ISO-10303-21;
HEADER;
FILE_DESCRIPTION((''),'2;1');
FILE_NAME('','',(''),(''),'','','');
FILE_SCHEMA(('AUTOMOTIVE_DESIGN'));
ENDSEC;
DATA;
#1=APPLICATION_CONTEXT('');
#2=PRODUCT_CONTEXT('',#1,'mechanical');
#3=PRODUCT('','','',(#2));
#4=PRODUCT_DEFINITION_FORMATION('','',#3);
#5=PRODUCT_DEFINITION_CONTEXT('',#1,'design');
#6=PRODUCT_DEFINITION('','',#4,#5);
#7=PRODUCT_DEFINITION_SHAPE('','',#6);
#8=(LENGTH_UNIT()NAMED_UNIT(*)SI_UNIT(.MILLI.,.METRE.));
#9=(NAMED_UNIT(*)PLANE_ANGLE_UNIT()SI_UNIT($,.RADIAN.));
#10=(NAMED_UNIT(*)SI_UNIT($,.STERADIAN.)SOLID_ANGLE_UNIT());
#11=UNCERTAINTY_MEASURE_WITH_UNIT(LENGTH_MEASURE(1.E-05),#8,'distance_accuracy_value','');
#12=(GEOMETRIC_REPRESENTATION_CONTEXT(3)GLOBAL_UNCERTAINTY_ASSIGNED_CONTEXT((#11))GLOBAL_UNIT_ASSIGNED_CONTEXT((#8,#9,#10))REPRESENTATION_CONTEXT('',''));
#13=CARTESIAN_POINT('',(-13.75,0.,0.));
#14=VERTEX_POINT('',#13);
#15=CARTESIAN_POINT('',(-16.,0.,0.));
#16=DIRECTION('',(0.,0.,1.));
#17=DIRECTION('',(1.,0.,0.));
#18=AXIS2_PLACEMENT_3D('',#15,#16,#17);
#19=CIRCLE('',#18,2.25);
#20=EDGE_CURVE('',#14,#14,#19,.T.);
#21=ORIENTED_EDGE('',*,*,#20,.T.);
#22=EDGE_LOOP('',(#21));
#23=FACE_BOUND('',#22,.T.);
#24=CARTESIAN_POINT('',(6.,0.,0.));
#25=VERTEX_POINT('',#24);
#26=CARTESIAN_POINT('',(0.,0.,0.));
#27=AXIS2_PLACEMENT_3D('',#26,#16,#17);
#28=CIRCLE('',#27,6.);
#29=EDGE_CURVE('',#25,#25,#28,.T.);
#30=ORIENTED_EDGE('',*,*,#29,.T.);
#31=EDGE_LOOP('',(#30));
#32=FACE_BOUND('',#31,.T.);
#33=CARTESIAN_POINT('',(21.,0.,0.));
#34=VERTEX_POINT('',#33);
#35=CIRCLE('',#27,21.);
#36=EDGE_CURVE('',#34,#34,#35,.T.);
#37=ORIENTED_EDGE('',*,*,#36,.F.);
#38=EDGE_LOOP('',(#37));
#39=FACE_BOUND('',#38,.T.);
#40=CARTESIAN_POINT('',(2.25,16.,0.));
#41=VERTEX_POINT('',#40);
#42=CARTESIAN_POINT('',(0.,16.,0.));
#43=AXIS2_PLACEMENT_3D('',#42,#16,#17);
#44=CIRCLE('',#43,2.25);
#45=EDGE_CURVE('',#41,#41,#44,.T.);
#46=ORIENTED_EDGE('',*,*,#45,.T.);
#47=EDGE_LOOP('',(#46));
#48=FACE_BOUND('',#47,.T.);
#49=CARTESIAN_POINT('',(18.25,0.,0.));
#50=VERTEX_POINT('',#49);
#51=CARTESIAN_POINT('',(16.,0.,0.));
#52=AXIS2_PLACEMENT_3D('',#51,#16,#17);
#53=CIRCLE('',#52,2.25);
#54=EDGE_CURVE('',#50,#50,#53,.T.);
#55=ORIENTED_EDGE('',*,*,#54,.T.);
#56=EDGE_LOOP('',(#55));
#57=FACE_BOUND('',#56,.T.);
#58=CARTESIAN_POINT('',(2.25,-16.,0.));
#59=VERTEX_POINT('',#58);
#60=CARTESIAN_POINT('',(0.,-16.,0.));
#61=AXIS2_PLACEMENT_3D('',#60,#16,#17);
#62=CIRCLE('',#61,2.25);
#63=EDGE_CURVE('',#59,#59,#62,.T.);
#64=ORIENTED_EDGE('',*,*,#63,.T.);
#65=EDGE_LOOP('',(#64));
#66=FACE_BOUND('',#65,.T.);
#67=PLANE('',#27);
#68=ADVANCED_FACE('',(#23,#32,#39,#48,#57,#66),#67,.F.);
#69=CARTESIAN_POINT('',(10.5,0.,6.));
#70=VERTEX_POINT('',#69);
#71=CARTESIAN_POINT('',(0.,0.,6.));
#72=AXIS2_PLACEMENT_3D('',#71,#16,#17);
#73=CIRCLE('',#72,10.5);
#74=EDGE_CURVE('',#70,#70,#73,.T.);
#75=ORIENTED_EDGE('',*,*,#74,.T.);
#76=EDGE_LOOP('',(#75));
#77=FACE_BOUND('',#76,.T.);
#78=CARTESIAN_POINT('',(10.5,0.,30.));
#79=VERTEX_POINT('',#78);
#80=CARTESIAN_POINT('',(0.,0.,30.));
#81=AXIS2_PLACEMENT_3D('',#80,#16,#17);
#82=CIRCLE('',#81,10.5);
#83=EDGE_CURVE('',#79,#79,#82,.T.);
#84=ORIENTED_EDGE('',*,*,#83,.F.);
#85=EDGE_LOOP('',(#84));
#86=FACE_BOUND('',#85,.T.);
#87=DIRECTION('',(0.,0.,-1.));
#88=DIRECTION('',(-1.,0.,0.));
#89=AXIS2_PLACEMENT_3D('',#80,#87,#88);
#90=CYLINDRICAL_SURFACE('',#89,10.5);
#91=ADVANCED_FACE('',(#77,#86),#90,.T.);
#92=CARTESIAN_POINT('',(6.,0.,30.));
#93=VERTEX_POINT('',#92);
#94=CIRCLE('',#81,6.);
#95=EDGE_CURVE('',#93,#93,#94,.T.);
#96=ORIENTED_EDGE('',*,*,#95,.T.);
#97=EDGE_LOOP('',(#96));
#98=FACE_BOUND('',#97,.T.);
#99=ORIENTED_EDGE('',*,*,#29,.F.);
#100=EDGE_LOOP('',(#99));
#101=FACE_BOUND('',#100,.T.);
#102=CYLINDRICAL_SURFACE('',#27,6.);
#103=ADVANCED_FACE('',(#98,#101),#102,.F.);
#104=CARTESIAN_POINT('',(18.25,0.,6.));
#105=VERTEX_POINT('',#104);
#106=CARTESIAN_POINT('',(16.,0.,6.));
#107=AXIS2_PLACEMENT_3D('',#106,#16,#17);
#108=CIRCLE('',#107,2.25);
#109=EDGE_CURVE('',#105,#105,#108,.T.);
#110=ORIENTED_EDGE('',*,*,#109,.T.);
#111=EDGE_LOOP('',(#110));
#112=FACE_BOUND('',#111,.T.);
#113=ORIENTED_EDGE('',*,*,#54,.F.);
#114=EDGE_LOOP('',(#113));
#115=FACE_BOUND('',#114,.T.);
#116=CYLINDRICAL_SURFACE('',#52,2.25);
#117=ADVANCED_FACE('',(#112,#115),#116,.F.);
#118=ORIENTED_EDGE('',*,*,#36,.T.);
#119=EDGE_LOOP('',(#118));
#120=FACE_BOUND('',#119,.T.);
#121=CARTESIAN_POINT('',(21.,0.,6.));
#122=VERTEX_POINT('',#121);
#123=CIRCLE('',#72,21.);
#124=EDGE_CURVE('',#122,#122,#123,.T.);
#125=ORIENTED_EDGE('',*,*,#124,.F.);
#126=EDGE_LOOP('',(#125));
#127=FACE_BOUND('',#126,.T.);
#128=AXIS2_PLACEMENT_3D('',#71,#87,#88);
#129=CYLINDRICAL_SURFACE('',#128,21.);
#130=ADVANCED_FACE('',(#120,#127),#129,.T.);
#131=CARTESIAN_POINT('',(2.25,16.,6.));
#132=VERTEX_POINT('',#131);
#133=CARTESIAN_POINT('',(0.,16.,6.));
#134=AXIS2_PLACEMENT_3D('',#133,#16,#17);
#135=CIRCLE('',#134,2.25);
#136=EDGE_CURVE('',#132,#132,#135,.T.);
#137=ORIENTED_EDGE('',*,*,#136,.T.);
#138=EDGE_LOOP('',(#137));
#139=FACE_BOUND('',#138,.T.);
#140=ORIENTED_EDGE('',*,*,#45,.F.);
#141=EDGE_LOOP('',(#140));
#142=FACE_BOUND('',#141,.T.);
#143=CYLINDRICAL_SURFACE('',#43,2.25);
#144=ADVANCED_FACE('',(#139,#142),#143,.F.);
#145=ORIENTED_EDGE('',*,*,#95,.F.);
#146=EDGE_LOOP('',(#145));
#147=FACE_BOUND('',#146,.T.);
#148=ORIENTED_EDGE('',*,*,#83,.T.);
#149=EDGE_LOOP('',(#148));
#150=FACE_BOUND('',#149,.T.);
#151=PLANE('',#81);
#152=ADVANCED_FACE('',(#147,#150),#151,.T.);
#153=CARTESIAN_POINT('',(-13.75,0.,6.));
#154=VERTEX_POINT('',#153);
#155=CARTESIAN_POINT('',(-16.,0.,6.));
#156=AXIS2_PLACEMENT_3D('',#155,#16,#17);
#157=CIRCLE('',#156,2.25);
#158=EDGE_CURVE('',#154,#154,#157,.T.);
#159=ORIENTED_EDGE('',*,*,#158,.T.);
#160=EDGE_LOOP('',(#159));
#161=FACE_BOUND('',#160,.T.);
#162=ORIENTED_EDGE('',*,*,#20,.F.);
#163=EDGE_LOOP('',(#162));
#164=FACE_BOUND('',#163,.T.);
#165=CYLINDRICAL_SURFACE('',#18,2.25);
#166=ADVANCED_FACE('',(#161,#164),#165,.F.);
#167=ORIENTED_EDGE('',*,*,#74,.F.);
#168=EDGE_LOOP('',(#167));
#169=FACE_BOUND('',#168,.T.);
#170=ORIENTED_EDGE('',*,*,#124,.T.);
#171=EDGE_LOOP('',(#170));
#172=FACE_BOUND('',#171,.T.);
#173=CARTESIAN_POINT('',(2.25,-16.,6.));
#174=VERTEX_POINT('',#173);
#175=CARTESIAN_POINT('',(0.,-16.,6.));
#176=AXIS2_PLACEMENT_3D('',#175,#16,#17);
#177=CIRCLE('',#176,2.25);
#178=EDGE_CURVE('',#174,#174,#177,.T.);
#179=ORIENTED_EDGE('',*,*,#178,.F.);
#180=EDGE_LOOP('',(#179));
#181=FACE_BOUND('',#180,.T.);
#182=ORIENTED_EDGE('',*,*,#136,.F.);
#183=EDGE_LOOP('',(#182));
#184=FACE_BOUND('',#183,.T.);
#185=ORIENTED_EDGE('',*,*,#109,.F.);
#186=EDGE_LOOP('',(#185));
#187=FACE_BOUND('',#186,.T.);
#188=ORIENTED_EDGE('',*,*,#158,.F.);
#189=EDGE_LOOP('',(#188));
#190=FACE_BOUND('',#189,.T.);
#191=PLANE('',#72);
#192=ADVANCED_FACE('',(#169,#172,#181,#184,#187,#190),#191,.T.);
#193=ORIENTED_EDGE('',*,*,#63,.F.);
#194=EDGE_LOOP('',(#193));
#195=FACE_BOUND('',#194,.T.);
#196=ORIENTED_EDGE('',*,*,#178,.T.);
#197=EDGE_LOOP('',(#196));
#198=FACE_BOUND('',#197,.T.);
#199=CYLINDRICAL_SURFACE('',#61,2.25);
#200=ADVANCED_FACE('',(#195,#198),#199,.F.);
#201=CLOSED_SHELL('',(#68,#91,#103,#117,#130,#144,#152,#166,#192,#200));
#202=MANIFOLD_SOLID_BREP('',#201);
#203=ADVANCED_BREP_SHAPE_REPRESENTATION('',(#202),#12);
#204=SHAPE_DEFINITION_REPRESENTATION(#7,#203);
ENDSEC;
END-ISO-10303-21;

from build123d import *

# Parameters (mm, degrees)
SKETCH1_R           = 21
BOSS_EXTRUDE1_DEPTH = 6
SKETCH2_R           = 10.5
BOSS_EXTRUDE2_DEPTH = 24
SKETCH3_R           = 6
CUT_EXTRUDE1_DEPTH  = 43.213741838
SKETCH4_R           = 2.25
CUT_EXTRUDE2_DEPTH  = 39.183766184


with BuildPart() as part:
    # Sketch1 → Boss-Extrude1 (new body)
    with BuildSketch(Plane.XY):
        Circle(SKETCH1_R)
    extrude(amount=BOSS_EXTRUDE1_DEPTH)

    # Sketch2 → Boss-Extrude2 (add)
    with BuildSketch(Plane.XY.offset(6)):
        Circle(SKETCH2_R)
    extrude(amount=BOSS_EXTRUDE2_DEPTH)

    # Sketch3 → Cut-Extrude1 (cut, through all)
    with BuildSketch(Plane.XY.offset(30)):
        Circle(SKETCH3_R)
    extrude(amount=-CUT_EXTRUDE1_DEPTH, mode=Mode.SUBTRACT)

    # Sketch4 → Cut-Extrude2 (cut, through all)
    with BuildSketch(Plane.XY.offset(6)):
        with Locations((-16, 0)):
            Circle(SKETCH4_R)
        with Locations((0, 16)):
            Circle(SKETCH4_R)
        with Locations((16, 0)):
            Circle(SKETCH4_R)
        with Locations((0, -16)):
            Circle(SKETCH4_R)
    extrude(amount=-CUT_EXTRUDE2_DEPTH, mode=Mode.SUBTRACT)


solid = part.part
